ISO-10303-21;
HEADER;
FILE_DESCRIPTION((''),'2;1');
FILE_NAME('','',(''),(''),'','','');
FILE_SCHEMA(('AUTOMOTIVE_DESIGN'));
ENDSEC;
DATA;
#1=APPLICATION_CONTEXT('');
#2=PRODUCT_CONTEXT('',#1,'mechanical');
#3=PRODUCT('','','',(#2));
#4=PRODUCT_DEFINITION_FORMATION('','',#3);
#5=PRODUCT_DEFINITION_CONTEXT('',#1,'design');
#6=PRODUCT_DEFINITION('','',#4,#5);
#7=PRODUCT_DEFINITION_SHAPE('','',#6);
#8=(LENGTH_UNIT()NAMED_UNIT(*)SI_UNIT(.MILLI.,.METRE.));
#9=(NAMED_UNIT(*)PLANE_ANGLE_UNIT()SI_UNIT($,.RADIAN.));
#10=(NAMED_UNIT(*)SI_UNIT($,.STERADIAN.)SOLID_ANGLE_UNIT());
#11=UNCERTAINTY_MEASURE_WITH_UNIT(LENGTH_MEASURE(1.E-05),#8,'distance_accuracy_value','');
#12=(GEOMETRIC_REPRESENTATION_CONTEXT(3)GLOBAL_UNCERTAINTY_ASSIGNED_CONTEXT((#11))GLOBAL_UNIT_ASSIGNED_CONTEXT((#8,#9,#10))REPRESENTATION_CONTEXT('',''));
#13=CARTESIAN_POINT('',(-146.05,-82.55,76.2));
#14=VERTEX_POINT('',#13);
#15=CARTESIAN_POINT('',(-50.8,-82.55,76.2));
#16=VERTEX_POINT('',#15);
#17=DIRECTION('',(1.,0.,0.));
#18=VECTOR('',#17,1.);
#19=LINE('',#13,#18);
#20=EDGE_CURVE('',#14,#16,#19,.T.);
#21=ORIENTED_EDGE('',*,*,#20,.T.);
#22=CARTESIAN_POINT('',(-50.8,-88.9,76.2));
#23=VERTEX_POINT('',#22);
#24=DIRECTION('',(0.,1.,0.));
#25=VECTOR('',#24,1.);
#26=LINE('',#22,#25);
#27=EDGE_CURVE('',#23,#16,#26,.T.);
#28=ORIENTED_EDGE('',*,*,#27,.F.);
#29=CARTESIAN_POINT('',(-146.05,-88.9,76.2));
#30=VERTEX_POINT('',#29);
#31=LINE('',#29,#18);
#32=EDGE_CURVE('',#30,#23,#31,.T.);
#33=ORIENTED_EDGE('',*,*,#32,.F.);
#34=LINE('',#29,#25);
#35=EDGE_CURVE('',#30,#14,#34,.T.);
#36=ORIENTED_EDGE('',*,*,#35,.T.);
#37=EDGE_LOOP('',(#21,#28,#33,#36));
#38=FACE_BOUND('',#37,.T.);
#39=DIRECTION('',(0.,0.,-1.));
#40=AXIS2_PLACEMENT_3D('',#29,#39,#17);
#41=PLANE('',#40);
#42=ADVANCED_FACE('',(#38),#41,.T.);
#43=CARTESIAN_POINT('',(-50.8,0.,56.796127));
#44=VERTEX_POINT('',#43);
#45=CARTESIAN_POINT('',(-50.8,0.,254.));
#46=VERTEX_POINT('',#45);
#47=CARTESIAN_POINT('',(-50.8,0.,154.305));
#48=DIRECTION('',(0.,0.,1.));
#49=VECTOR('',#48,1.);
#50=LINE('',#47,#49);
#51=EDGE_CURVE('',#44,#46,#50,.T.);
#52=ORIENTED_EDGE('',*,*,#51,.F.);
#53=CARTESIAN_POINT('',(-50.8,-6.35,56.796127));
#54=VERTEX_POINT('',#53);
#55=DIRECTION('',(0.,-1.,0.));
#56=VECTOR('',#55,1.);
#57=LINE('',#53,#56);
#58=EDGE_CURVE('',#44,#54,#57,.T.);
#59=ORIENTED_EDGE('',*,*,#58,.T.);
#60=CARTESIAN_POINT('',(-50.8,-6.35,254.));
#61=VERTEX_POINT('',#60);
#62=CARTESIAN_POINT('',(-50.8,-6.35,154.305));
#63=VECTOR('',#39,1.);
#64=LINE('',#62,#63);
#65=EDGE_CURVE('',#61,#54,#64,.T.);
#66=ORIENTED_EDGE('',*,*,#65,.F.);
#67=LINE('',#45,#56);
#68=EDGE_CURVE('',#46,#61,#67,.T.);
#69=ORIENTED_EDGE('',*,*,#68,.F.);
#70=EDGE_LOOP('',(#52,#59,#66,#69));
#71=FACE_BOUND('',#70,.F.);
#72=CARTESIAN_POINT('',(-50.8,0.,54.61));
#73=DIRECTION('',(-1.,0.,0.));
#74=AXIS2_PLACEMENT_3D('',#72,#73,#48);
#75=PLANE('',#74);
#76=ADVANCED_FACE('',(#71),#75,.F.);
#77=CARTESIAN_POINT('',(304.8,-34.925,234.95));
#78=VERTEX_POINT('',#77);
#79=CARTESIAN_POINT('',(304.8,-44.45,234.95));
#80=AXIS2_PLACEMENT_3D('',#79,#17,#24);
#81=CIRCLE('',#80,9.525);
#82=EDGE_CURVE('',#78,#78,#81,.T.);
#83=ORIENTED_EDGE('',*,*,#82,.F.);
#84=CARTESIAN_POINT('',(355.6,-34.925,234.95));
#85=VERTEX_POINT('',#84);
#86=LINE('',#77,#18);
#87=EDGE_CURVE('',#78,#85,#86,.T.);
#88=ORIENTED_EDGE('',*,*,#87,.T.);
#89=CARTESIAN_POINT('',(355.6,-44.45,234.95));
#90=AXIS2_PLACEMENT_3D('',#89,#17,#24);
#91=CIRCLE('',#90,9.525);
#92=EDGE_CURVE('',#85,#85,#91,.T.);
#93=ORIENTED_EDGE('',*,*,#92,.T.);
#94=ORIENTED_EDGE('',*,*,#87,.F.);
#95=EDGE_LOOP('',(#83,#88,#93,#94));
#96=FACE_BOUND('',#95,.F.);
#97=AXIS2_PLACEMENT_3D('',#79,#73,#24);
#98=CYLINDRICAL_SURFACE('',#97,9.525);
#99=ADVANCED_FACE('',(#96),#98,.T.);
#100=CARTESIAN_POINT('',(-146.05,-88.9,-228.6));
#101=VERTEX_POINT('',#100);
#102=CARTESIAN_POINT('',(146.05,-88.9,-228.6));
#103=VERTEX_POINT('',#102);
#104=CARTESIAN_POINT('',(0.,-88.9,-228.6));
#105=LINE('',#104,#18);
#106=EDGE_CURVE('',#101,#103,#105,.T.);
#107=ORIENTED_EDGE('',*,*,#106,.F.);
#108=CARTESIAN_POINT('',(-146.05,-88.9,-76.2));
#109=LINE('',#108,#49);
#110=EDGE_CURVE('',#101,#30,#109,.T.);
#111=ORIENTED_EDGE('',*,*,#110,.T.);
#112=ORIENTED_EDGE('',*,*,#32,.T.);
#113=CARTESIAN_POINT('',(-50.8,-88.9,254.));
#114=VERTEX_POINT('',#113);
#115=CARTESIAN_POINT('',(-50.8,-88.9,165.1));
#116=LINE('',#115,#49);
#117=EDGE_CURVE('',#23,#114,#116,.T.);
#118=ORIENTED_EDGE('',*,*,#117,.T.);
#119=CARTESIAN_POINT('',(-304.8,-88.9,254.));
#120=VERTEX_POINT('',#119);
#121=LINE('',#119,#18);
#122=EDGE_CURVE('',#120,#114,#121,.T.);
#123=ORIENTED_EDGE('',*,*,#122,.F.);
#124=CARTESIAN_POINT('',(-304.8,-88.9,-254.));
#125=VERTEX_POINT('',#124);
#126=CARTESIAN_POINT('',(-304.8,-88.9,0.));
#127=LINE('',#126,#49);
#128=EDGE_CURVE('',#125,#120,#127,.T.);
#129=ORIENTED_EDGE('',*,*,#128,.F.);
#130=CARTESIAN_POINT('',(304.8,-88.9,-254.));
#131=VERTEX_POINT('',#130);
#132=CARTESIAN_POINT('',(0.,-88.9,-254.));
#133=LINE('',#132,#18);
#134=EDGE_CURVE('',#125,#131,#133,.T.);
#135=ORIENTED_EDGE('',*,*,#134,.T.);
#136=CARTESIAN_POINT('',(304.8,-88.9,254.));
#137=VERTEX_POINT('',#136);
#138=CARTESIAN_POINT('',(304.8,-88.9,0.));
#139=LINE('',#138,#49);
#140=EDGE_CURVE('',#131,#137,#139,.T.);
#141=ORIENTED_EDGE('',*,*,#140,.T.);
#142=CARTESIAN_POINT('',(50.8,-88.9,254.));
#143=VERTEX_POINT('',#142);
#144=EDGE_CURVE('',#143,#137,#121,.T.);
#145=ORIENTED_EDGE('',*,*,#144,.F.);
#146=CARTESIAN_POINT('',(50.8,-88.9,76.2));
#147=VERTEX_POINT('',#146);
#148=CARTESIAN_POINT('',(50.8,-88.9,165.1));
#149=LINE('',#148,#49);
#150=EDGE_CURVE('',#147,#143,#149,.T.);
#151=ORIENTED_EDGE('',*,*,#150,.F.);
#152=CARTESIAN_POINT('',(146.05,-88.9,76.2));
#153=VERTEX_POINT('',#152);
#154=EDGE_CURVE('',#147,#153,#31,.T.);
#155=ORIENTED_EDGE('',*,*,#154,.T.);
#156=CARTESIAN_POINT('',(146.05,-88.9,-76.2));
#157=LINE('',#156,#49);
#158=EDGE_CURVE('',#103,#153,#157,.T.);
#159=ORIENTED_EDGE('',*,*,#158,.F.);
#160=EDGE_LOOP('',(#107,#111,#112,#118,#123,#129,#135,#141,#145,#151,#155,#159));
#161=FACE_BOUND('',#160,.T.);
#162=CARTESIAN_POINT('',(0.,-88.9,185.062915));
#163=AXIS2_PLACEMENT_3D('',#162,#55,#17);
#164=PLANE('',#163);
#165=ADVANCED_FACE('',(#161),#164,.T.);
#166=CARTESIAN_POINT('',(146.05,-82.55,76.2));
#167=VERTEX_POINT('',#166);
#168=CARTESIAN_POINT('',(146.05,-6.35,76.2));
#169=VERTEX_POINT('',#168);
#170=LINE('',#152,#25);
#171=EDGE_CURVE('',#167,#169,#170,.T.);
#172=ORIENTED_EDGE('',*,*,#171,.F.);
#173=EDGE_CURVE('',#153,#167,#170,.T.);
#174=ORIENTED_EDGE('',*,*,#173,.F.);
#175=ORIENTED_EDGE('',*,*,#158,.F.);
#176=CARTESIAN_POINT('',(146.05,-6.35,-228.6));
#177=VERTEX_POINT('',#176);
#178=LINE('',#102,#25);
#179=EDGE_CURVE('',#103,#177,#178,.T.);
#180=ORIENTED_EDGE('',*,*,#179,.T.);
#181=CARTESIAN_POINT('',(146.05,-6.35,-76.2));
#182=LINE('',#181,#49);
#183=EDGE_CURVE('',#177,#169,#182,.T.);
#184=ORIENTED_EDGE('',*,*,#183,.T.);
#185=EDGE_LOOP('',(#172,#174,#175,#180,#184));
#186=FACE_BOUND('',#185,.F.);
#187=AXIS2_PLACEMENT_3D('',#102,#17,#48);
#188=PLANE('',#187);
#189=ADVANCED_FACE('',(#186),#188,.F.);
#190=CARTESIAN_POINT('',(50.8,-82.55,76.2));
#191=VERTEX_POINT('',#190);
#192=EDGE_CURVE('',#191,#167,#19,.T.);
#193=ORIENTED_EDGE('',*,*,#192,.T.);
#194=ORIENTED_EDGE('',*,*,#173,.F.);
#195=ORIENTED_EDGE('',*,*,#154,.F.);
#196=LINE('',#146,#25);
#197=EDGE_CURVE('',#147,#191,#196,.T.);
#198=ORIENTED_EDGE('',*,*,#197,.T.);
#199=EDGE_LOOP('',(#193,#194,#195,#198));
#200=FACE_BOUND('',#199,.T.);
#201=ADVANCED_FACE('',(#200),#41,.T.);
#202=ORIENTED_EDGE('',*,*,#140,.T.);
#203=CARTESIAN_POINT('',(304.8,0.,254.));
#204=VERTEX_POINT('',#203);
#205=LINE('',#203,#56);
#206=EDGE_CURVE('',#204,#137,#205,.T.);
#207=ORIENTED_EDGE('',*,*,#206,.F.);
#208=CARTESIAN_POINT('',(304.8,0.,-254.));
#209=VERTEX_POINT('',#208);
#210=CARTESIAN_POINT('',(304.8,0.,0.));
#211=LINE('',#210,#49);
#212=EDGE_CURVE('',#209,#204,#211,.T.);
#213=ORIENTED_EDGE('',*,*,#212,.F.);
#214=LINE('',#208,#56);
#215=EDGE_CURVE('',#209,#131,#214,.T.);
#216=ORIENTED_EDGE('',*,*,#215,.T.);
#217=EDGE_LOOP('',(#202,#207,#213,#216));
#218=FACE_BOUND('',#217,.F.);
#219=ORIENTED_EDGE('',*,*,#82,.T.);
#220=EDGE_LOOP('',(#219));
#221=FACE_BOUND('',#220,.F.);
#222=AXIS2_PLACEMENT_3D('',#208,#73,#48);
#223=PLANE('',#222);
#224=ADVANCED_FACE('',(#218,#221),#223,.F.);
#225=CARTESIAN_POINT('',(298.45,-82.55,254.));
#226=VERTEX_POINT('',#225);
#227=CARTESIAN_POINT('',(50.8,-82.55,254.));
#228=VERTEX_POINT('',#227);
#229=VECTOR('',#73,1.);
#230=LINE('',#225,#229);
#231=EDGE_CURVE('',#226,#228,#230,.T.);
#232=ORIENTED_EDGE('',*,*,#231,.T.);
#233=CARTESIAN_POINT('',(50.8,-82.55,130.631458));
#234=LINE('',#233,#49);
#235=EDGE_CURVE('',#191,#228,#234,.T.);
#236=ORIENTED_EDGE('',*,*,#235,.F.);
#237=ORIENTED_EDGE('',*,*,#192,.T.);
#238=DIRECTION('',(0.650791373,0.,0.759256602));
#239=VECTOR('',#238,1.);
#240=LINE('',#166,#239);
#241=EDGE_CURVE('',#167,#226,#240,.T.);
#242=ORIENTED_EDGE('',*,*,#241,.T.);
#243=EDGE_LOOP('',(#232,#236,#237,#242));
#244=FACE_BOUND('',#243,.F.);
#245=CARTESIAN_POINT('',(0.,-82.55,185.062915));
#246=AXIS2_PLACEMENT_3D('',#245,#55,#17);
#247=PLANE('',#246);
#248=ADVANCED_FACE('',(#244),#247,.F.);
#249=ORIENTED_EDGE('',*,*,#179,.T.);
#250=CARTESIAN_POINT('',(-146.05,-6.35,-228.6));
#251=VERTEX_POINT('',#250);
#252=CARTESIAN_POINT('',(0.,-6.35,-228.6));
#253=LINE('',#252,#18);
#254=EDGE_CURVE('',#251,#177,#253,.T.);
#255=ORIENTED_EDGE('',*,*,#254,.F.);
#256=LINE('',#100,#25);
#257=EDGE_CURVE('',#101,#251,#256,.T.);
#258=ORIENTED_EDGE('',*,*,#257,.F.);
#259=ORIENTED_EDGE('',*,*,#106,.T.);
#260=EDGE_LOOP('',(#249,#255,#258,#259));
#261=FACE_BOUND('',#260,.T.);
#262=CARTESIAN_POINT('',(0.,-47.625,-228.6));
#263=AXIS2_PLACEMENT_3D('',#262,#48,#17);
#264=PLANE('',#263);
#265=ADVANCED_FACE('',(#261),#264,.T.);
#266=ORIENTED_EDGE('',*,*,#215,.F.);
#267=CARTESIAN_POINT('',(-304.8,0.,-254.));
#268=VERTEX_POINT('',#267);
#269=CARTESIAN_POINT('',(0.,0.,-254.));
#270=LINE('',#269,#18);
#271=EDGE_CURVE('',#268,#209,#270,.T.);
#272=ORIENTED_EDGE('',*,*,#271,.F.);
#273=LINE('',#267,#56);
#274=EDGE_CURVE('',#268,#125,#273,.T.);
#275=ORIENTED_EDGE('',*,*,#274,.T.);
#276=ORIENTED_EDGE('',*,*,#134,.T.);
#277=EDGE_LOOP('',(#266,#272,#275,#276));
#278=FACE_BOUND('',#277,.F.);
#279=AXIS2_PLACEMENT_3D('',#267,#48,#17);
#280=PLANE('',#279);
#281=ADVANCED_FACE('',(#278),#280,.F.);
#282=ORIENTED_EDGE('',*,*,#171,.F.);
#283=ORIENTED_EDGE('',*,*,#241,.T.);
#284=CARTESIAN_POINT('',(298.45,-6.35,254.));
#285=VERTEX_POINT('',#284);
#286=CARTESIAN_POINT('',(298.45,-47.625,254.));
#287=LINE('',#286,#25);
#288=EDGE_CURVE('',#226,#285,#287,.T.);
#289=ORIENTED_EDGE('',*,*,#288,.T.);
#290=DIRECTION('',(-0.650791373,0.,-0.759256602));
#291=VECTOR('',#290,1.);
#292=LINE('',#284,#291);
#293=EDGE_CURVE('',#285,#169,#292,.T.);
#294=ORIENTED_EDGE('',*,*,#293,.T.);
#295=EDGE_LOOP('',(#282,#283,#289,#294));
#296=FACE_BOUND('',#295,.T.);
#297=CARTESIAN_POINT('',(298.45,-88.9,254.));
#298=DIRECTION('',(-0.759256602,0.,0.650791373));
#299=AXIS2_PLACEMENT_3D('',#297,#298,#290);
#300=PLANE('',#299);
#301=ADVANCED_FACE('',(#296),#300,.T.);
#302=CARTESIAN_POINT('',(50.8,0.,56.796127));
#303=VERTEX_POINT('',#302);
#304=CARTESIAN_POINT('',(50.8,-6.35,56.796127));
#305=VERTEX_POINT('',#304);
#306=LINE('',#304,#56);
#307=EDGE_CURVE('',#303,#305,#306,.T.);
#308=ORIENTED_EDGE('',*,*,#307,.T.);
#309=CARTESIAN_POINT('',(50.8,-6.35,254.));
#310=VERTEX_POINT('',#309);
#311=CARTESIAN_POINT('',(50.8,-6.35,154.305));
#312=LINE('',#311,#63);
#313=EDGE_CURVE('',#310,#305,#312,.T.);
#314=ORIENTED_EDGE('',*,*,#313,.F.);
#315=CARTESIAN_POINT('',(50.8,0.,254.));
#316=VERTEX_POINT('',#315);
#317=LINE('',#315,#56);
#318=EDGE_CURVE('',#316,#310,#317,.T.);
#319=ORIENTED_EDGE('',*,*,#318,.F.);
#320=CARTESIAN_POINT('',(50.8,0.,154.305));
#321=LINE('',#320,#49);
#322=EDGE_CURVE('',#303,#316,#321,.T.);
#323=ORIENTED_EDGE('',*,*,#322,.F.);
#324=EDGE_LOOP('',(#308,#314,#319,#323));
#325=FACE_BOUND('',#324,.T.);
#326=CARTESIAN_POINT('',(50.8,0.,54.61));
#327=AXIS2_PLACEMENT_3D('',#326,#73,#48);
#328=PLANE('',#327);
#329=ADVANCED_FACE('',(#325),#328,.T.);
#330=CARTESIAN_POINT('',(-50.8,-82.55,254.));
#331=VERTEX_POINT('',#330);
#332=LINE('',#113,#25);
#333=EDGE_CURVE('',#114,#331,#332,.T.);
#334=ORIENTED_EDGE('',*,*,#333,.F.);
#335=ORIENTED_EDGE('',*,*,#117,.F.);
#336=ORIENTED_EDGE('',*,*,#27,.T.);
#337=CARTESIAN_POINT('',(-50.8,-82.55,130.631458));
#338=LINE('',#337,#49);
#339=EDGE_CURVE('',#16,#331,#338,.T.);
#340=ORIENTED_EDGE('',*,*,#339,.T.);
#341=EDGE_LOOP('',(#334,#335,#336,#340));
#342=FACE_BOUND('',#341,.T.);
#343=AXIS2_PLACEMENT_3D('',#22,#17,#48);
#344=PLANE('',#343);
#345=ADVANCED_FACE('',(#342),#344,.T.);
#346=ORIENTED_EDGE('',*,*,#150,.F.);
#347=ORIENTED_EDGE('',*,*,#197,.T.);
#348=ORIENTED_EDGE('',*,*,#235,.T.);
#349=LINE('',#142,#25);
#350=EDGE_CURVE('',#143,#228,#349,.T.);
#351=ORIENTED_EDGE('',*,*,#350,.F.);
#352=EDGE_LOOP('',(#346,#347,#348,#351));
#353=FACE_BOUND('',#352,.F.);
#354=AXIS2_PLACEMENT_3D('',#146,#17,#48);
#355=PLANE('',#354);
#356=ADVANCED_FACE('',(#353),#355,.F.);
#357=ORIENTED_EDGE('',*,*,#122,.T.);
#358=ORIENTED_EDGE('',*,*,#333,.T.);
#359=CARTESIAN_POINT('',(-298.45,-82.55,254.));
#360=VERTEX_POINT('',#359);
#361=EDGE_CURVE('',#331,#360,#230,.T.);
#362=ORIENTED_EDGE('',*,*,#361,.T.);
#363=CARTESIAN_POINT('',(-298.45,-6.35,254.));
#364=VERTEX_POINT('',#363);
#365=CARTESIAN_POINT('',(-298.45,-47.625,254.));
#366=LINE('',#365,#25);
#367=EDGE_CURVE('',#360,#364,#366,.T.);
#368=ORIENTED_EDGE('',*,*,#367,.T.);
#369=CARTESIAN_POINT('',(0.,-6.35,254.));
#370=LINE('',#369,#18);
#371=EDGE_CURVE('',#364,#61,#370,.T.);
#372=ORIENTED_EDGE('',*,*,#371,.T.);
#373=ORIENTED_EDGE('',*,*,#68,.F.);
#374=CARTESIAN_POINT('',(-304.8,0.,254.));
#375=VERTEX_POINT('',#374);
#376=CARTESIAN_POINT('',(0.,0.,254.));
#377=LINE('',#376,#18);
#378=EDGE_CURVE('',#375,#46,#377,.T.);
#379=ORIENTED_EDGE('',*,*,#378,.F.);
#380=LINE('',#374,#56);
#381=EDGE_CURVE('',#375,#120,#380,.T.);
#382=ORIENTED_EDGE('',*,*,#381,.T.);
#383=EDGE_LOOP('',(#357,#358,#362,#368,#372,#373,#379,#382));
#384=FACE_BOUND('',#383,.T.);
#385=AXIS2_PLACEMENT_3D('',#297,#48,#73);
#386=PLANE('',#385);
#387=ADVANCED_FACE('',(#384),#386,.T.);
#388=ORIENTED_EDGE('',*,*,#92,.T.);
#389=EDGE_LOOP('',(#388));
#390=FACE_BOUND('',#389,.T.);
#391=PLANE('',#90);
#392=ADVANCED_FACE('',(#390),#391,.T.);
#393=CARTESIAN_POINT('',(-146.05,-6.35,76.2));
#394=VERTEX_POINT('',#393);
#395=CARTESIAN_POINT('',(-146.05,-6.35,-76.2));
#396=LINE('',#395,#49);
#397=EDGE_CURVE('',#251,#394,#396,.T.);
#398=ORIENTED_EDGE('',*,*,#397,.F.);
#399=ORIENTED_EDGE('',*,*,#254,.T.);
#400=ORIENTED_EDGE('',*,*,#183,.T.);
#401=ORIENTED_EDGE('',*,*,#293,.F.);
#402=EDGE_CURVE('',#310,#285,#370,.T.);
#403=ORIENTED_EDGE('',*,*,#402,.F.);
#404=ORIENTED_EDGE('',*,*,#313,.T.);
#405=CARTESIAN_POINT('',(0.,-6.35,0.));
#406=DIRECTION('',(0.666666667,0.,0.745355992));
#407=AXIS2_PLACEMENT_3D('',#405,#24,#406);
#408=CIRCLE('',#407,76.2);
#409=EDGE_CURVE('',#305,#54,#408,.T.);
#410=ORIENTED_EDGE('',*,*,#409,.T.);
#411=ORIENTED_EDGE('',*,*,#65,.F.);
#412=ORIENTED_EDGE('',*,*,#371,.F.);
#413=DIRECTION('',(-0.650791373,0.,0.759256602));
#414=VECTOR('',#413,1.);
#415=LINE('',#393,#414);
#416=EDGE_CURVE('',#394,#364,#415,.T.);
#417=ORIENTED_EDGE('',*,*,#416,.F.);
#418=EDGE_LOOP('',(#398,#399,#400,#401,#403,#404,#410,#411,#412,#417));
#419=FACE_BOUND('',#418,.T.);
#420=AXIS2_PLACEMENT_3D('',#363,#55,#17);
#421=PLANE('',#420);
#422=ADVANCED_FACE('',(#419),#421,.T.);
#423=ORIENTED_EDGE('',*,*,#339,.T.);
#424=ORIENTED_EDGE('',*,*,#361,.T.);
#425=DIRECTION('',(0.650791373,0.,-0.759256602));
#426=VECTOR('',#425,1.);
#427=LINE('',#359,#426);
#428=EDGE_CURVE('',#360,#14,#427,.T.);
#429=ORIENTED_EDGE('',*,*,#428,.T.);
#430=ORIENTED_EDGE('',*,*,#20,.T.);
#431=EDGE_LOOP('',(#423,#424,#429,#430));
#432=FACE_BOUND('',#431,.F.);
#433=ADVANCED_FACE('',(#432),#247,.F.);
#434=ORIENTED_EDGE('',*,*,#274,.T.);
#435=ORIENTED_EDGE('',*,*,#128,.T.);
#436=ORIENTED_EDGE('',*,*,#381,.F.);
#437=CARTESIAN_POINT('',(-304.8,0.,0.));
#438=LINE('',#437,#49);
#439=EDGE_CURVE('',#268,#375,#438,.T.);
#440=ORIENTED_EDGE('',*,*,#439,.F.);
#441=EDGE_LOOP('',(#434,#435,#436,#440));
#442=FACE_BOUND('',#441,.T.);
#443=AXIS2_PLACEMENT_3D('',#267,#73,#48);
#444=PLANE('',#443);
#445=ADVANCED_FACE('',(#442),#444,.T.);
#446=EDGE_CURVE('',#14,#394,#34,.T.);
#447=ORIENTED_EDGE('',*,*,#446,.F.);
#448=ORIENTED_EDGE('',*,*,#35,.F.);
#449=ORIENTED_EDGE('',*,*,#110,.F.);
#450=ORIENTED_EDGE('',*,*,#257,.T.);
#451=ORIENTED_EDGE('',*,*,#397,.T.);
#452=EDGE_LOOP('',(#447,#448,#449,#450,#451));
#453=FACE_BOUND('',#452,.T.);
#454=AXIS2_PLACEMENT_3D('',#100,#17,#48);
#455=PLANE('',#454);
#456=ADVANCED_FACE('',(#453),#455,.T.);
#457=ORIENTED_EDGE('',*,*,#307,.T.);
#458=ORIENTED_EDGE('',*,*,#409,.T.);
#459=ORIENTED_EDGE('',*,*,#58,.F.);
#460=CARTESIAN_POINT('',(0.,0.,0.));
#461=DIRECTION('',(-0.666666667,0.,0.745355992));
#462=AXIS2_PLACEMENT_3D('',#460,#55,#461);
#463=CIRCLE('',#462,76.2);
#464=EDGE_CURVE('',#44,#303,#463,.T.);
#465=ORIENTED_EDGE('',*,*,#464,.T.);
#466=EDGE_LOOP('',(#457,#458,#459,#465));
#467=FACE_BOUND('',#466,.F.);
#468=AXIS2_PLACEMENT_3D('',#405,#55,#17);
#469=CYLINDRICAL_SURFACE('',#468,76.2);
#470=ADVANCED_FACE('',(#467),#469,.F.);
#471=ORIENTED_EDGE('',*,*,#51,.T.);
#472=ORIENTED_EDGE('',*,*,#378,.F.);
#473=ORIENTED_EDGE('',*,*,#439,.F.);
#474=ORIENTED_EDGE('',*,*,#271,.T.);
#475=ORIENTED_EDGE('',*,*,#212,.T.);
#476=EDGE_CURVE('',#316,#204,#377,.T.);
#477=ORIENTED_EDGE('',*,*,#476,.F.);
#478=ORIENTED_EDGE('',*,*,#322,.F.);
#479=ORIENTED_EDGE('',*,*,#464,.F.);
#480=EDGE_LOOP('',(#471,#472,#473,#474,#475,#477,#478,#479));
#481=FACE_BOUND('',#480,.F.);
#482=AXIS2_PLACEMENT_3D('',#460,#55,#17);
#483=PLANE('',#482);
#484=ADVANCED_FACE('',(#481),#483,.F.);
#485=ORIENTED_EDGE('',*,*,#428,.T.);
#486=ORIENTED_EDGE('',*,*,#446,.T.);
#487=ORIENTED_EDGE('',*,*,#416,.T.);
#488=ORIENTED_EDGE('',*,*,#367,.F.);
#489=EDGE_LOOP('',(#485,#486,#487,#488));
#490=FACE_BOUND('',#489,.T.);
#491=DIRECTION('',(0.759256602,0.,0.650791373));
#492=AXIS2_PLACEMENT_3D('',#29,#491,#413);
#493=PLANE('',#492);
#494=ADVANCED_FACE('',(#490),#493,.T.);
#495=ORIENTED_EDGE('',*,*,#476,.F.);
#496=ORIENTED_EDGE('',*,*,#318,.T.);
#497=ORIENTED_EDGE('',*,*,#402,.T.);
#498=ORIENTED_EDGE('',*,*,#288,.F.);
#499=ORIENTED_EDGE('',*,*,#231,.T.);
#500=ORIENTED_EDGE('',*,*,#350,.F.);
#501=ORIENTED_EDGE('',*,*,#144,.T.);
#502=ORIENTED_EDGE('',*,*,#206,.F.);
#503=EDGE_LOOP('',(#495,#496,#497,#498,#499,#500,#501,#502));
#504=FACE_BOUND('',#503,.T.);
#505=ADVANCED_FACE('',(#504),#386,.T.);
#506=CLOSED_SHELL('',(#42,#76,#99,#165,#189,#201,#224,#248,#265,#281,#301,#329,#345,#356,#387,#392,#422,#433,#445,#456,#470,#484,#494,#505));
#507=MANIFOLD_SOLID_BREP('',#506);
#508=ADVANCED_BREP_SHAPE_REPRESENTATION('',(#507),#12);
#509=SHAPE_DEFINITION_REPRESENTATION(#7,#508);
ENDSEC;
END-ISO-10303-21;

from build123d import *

# Parameters (mm, degrees)
F0_W      = 609.6
F0_H      = 508
F1_DEPTH  = 88.9
F2_W      = 596.9
F2_H      = 82.55
F3_DEPTH  = 482.6
F4_R      = 9.525
F5_DEPTH  = 50.8
F7_DEPTH  = 82.55
F8_W      = 152.4
F8_H      = 304.8
F9_DEPTH  = 82.55
F11_DEPTH = 6.35
F12_R     = 76.2
F13_DEPTH = 25.4
F14_W     = 101.6
F14_H     = 177.8
F15_DEPTH = 25.4
F16_W     = 101.6
F16_H     = 199.39
F17_DEPTH = 25.4


with BuildPart() as f1:
    # F0 (on Front) → F1 (new body)
    with BuildSketch(Plane.XZ):
        Rectangle(F0_W, F0_H)
    extrude(amount=F1_DEPTH)

    # F2 (on face) → F3 (cut)
    with BuildSketch(Plane.XY.offset(254)):
        with Locations((0, -47.625)):
            Rectangle(F2_W, F2_H)
    extrude(amount=-F3_DEPTH, mode=Mode.SUBTRACT)

    # F4 (on face) → F5 (join)
    with BuildSketch(Plane.YZ.offset(304.8)):
        with Locations((-44.45, 234.95)):
            Circle(F4_R)
    extrude(amount=F5_DEPTH)

    # F6 (on face) → F7 (join, through all)
    with BuildSketch(Plane.XZ.offset(88.9)):
        Polygon((-298.45, 254), (-298.45, 76.2), (-146.05, 76.2), align=None)
        Polygon((298.45, 254), (146.05, 76.2), (298.45, 76.2), align=None)
    extrude(amount=-F7_DEPTH)

    # F8 (on face) → F9 (join, through all)
    with BuildSketch(Plane.XZ.offset(88.9)):
        with Locations((-222.25, -76.2)):
            Rectangle(F8_W, F8_H)
        with Locations((222.25, -76.2)):
            Rectangle(F8_W, F8_H)
    extrude(amount=-F9_DEPTH)

    # F10 (on face) → F11 (join)
    with BuildSketch(Plane.XZ.offset(88.9)):
        Polygon((298.45, 254), (-298.45, 254), (-146.05, 76.2), (146.05, 76.2), align=None)
    extrude(amount=-F11_DEPTH)

    # F12 (on face) → F13 (cut)
    with BuildSketch(Plane.XZ.offset(6.35)):
        Circle(F12_R)
    extrude(amount=-F13_DEPTH, mode=Mode.SUBTRACT)

    # F14 (on face) → F15 (cut)
    with BuildSketch(Plane.XZ.offset(88.9)):
        with Locations((0, 165.1)):
            Rectangle(F14_W, F14_H)
    extrude(amount=-F15_DEPTH, mode=Mode.SUBTRACT)

    # F16 (on face) → F17 (cut)
    with BuildSketch(Plane.XZ):
        with Locations((0, 154.305)):
            Rectangle(F16_W, F16_H)
    extrude(amount=F17_DEPTH, mode=Mode.SUBTRACT)


solid = f1.part
